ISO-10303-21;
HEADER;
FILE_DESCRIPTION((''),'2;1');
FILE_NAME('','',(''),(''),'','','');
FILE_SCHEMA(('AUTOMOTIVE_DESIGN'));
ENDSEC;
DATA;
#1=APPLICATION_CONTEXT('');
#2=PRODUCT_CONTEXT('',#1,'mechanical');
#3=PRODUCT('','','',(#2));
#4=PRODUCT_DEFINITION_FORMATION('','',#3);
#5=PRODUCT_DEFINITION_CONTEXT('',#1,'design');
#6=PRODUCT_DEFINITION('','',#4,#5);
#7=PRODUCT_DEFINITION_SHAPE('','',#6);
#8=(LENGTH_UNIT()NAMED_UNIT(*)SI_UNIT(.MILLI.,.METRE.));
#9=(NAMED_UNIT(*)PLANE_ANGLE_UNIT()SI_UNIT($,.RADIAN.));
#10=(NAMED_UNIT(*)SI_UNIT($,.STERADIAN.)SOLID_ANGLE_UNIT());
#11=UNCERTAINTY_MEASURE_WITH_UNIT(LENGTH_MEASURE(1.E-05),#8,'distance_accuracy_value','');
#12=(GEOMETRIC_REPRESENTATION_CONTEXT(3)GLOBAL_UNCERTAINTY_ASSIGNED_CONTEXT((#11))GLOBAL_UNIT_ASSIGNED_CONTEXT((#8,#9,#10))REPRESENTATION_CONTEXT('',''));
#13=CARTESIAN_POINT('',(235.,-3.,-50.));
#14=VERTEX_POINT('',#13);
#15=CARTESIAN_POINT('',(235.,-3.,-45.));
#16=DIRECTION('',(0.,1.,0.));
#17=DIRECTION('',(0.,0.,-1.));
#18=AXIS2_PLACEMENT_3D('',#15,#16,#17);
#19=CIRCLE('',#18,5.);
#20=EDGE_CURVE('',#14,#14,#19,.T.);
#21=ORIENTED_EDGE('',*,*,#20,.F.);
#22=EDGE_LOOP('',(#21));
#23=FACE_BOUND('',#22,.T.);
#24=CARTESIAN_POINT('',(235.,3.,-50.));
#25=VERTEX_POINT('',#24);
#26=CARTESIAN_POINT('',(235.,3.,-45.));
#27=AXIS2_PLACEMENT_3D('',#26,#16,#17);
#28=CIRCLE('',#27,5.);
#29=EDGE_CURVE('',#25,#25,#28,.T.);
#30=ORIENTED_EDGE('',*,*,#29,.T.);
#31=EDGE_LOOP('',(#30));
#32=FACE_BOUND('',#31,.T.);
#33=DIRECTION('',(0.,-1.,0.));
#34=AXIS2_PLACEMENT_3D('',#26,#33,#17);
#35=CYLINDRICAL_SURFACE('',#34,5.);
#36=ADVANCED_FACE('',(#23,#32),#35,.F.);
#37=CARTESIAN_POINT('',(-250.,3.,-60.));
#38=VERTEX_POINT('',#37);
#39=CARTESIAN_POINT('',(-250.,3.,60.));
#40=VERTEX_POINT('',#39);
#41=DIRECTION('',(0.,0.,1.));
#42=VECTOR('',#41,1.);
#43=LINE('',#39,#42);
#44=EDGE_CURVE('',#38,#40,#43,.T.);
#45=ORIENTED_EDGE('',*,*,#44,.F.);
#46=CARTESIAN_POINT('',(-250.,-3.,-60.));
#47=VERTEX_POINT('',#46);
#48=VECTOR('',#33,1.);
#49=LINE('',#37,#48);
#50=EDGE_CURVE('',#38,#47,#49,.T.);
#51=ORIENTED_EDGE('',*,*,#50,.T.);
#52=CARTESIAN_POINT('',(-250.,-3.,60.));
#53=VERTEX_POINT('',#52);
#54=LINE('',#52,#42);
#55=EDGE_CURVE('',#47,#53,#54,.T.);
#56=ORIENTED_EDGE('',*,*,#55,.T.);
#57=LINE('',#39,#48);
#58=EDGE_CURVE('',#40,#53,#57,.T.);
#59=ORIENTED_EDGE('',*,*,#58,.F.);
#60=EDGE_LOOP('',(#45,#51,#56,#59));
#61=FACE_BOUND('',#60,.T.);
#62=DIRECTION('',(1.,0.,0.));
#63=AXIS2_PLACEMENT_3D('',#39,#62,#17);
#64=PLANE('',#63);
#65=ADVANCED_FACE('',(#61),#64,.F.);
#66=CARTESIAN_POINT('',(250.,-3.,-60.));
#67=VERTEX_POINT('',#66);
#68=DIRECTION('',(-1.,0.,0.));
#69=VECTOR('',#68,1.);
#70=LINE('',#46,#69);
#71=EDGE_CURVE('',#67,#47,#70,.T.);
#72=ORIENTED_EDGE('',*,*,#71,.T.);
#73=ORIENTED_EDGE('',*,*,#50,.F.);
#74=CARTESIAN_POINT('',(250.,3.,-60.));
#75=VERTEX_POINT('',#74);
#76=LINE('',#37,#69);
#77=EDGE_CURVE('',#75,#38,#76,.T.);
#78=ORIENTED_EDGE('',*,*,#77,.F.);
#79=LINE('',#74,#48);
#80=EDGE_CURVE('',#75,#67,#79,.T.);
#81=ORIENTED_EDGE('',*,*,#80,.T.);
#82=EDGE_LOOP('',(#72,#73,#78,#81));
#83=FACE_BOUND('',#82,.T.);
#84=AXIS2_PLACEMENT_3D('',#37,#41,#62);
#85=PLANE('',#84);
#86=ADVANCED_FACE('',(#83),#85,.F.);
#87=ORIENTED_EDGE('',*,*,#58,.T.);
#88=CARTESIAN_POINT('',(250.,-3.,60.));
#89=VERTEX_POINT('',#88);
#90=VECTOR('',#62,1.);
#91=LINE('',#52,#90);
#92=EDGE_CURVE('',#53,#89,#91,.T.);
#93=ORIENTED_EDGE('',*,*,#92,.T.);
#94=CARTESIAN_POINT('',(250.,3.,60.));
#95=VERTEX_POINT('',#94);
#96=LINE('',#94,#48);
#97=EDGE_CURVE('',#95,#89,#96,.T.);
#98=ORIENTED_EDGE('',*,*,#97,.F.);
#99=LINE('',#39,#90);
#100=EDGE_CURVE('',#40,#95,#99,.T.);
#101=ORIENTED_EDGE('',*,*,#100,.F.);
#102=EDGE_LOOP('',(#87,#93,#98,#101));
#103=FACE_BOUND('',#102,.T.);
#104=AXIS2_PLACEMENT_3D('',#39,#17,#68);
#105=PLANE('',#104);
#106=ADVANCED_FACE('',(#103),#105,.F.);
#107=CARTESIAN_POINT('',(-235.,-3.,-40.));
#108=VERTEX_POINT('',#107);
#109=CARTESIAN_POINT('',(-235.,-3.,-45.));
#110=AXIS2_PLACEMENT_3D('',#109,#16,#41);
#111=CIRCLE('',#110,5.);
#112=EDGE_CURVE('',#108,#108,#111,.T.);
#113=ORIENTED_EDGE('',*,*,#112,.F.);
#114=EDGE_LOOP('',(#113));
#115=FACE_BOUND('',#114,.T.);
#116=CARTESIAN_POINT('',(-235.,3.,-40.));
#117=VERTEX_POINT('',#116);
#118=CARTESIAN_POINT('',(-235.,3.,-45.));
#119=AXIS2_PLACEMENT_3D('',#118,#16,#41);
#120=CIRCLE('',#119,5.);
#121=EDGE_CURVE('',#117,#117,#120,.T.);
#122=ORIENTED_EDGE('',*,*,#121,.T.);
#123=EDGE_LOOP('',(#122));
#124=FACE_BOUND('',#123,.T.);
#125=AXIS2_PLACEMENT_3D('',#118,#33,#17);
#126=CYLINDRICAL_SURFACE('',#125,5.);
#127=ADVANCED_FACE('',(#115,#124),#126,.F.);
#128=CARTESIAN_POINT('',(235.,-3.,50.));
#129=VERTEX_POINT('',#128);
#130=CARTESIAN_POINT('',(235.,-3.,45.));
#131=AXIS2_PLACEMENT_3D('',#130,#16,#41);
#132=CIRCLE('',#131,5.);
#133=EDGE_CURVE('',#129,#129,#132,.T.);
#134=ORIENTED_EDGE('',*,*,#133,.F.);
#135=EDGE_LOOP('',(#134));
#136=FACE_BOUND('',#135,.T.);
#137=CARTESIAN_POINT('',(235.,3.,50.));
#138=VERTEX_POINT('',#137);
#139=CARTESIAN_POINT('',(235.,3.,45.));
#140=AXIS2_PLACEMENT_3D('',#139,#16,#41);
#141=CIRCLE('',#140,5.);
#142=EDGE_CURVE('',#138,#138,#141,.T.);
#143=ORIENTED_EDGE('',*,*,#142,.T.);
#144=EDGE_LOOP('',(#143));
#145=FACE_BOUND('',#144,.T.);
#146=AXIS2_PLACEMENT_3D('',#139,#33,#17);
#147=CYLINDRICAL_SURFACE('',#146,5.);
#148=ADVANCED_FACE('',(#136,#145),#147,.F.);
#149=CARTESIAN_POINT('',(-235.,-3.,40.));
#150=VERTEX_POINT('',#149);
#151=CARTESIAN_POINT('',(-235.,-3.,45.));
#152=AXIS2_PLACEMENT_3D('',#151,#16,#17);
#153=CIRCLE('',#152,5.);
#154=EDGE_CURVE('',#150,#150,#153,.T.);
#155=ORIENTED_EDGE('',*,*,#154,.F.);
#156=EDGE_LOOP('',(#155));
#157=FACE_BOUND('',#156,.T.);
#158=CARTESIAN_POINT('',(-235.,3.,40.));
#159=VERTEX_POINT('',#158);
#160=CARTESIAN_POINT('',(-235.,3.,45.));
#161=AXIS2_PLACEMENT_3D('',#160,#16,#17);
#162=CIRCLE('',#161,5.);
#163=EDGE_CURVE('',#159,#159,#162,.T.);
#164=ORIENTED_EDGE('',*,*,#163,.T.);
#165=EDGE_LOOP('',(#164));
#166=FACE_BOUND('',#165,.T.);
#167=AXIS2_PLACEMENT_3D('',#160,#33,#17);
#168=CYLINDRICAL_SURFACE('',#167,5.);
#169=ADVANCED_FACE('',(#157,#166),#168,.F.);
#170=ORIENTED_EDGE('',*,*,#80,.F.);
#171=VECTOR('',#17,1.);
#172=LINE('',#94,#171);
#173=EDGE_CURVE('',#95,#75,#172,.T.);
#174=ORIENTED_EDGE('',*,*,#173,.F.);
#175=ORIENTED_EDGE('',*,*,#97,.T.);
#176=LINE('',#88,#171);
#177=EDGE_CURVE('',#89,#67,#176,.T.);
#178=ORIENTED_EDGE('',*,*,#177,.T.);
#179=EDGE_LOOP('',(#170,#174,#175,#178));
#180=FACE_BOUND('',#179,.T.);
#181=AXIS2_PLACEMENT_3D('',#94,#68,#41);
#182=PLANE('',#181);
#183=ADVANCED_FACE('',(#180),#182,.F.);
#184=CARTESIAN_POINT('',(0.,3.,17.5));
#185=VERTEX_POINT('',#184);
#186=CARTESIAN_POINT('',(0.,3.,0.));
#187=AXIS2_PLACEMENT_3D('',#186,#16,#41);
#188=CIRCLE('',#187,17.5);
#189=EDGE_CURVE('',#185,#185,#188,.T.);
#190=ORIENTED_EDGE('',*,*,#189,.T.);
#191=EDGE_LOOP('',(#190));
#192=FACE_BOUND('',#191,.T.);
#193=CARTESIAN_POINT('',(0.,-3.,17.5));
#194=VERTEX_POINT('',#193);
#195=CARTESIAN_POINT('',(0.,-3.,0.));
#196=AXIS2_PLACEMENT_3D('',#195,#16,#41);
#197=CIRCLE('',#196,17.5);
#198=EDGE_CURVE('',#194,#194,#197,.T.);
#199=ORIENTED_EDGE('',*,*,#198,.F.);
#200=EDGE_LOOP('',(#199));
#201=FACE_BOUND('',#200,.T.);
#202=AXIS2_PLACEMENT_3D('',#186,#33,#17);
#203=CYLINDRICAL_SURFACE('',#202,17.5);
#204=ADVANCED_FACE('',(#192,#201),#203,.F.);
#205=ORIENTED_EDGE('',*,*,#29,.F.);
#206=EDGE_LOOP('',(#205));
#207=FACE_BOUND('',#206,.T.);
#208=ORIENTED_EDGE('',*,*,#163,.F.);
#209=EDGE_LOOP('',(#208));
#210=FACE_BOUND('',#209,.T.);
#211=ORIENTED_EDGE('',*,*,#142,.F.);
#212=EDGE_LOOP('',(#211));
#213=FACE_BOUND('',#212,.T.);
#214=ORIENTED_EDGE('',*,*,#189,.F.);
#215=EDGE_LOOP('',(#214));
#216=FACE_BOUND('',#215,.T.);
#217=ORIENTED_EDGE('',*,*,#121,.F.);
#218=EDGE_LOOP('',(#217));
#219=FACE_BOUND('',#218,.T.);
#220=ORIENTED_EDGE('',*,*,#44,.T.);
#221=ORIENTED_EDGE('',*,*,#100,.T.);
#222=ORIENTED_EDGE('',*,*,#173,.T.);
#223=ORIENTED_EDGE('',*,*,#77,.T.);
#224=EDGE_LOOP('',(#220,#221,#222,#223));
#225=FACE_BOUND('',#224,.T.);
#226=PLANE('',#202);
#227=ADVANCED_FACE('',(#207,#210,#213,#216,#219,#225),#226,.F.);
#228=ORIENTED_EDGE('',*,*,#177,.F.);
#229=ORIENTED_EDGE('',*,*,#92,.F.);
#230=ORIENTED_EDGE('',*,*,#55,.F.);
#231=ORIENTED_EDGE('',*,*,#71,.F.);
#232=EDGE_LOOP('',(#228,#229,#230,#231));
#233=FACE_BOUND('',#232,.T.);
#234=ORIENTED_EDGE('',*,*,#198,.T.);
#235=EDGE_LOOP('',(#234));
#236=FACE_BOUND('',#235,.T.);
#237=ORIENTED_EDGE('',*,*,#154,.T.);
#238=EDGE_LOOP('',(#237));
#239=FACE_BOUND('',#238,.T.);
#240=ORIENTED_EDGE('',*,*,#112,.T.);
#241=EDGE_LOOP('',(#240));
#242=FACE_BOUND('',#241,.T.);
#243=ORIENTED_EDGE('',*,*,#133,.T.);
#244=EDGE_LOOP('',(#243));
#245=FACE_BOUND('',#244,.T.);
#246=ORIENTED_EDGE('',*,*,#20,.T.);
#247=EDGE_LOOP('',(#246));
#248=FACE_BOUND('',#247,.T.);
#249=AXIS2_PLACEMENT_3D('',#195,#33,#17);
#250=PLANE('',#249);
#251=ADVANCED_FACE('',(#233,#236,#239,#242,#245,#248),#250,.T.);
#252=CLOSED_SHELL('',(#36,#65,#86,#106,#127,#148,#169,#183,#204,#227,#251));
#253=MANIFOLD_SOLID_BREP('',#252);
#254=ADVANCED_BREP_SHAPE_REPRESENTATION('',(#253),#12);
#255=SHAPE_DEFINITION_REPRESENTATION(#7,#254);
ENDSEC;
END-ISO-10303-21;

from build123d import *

# Parameters (mm, degrees)
SKETCH1_W           = 500
SKETCH1_H           = 120
SKETCH1_R           = 17.5
SKETCH1_R_2         = 5
BOSS_EXTRUDE1_DEPTH = 3


with BuildPart() as part:
    # Sketch1 → Boss-Extrude1 (new body, symmetric)
    with BuildSketch(Plane(origin=(0, 0, 0), x_dir=(1, 0, 0), z_dir=(0, 1, 0))):
        Rectangle(SKETCH1_W, SKETCH1_H)
        Circle(SKETCH1_R, mode=Mode.SUBTRACT)
        with Locations((-235, 45)):
            Circle(SKETCH1_R_2, mode=Mode.SUBTRACT)
        with Locations((-235, -45)):
            Circle(SKETCH1_R_2, mode=Mode.SUBTRACT)
        with Locations((235, 45)):
            Circle(SKETCH1_R_2, mode=Mode.SUBTRACT)
        with Locations((235, -45)):
            Circle(SKETCH1_R_2, mode=Mode.SUBTRACT)
    extrude(amount=BOSS_EXTRUDE1_DEPTH, both=True)


solid = part.part
